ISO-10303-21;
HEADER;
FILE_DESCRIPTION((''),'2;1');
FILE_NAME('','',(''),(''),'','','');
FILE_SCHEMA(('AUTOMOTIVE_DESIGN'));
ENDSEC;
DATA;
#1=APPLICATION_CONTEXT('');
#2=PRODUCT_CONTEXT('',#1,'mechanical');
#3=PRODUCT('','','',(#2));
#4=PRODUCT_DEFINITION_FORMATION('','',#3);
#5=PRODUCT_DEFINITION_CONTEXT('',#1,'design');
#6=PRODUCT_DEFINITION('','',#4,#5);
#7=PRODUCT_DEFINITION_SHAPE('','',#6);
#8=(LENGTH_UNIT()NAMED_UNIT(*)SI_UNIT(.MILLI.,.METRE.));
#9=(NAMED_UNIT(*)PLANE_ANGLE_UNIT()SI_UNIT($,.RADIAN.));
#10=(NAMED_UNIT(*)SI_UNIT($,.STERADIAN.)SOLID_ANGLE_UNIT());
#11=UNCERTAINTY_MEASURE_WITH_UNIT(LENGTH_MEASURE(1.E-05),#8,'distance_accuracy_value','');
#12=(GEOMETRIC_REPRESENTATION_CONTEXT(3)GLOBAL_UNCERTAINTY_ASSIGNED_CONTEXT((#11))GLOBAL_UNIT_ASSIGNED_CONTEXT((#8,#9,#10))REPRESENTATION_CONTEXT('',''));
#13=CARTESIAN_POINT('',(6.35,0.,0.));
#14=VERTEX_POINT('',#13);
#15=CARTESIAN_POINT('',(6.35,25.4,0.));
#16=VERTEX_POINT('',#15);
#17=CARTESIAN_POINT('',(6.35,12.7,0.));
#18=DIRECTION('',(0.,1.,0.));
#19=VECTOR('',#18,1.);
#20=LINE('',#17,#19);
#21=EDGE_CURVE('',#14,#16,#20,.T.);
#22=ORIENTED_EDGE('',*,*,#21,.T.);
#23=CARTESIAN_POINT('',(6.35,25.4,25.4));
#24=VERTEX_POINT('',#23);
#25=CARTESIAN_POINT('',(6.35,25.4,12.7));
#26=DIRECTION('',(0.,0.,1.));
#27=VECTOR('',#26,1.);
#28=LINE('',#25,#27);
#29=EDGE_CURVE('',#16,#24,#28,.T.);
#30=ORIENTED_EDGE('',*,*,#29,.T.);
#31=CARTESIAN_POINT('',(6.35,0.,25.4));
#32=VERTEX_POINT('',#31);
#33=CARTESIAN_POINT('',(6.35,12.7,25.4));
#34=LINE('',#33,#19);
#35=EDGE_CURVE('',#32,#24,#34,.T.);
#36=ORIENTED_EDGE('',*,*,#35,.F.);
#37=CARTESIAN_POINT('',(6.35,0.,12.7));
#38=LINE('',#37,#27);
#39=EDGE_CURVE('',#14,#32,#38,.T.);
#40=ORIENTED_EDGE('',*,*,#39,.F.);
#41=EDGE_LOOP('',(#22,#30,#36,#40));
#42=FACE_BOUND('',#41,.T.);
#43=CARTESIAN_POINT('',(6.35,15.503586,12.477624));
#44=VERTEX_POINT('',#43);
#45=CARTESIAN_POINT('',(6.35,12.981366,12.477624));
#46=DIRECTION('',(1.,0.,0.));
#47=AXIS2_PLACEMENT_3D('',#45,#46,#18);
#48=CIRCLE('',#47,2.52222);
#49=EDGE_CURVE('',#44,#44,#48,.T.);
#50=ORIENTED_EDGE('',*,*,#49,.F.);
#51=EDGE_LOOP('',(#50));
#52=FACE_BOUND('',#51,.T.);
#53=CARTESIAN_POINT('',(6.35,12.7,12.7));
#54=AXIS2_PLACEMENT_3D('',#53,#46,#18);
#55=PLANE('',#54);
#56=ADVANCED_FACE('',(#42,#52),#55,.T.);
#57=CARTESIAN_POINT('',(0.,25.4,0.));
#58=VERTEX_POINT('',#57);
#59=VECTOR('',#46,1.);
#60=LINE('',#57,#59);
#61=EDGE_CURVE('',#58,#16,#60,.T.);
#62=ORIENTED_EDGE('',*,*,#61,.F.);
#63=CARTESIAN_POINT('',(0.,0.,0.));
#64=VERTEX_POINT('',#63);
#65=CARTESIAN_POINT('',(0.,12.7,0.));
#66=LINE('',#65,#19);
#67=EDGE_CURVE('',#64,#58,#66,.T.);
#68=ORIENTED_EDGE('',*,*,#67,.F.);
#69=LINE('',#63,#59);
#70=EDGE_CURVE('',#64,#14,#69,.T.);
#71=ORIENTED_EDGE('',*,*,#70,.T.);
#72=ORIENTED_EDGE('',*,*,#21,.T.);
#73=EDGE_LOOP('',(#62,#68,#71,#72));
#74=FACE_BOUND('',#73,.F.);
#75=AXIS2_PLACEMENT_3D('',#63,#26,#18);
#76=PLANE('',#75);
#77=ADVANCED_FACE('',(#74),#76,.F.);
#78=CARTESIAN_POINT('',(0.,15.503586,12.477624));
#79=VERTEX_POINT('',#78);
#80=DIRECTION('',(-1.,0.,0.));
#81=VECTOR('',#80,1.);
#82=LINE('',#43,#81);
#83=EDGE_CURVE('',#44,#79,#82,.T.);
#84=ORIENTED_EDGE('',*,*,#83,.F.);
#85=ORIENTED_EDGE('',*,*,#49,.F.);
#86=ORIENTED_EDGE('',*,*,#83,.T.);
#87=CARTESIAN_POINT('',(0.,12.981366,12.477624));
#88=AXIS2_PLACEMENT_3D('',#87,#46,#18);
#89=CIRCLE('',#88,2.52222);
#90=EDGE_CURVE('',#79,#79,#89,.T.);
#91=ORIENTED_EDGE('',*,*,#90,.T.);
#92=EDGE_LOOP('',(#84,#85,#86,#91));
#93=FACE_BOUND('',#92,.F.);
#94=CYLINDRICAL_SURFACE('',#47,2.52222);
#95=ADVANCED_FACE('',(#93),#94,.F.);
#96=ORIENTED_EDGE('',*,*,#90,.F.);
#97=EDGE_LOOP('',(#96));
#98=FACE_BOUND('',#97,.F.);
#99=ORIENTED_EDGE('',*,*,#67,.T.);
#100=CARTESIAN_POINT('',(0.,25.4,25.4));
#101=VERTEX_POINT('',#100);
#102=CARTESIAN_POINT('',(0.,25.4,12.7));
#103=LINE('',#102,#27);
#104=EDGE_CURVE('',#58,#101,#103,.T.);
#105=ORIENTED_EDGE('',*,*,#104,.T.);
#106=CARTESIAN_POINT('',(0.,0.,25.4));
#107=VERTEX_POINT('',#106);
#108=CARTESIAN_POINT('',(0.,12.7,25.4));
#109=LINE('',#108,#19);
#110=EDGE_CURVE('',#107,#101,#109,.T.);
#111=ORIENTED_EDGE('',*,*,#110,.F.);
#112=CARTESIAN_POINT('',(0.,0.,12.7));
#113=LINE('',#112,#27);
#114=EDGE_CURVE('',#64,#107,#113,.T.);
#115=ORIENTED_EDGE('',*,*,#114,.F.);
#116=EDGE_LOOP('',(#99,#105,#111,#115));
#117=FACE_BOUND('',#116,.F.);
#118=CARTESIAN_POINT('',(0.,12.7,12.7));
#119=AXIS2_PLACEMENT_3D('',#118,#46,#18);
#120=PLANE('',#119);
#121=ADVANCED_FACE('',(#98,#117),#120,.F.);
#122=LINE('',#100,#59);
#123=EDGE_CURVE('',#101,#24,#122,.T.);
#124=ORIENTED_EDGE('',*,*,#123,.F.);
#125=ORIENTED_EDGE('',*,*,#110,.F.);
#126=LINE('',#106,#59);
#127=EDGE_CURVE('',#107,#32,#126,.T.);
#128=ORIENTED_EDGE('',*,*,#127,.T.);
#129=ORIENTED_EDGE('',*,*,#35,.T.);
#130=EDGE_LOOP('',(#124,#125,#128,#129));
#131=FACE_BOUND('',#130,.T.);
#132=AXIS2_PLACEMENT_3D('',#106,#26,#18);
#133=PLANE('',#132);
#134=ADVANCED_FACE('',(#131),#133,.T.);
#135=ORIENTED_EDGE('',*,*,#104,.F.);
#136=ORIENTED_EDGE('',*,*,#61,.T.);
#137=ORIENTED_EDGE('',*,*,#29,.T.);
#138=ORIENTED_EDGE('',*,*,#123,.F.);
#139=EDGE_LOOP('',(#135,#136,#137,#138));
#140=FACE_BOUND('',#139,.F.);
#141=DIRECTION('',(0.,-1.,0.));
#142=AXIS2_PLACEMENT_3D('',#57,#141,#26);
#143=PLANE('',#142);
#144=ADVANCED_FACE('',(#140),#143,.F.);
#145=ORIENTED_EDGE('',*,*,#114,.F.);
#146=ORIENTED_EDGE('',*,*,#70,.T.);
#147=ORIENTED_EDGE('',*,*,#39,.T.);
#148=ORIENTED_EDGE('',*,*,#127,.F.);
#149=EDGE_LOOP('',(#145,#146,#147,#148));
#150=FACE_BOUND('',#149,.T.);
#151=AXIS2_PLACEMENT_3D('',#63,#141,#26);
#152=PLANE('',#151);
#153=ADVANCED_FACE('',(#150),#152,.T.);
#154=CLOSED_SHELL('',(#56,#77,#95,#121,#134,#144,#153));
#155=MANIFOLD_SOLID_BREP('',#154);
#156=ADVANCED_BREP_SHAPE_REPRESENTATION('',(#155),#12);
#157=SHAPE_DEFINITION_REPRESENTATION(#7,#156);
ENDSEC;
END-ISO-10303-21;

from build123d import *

# Parameters (mm, degrees)
F0_W     = 25.4
F0_H     = 25.4
F1_DEPTH = 6.35
F2_R     = 2.52222
F3_DEPTH = 25.4


with BuildPart() as f1:
    # F0 (on Right) → F1 (new body)
    with BuildSketch(Plane.YZ):
        with Locations((12.7, 12.7)):
            Rectangle(F0_W, F0_H)
    extrude(amount=F1_DEPTH)

    # F2 (on face) → F3 (cut)
    with BuildSketch(Plane.YZ.offset(6.35)):
        with Locations((12.981366, 12.477624)):
            Circle(F2_R)
    extrude(amount=-F3_DEPTH, mode=Mode.SUBTRACT)


solid = f1.part
